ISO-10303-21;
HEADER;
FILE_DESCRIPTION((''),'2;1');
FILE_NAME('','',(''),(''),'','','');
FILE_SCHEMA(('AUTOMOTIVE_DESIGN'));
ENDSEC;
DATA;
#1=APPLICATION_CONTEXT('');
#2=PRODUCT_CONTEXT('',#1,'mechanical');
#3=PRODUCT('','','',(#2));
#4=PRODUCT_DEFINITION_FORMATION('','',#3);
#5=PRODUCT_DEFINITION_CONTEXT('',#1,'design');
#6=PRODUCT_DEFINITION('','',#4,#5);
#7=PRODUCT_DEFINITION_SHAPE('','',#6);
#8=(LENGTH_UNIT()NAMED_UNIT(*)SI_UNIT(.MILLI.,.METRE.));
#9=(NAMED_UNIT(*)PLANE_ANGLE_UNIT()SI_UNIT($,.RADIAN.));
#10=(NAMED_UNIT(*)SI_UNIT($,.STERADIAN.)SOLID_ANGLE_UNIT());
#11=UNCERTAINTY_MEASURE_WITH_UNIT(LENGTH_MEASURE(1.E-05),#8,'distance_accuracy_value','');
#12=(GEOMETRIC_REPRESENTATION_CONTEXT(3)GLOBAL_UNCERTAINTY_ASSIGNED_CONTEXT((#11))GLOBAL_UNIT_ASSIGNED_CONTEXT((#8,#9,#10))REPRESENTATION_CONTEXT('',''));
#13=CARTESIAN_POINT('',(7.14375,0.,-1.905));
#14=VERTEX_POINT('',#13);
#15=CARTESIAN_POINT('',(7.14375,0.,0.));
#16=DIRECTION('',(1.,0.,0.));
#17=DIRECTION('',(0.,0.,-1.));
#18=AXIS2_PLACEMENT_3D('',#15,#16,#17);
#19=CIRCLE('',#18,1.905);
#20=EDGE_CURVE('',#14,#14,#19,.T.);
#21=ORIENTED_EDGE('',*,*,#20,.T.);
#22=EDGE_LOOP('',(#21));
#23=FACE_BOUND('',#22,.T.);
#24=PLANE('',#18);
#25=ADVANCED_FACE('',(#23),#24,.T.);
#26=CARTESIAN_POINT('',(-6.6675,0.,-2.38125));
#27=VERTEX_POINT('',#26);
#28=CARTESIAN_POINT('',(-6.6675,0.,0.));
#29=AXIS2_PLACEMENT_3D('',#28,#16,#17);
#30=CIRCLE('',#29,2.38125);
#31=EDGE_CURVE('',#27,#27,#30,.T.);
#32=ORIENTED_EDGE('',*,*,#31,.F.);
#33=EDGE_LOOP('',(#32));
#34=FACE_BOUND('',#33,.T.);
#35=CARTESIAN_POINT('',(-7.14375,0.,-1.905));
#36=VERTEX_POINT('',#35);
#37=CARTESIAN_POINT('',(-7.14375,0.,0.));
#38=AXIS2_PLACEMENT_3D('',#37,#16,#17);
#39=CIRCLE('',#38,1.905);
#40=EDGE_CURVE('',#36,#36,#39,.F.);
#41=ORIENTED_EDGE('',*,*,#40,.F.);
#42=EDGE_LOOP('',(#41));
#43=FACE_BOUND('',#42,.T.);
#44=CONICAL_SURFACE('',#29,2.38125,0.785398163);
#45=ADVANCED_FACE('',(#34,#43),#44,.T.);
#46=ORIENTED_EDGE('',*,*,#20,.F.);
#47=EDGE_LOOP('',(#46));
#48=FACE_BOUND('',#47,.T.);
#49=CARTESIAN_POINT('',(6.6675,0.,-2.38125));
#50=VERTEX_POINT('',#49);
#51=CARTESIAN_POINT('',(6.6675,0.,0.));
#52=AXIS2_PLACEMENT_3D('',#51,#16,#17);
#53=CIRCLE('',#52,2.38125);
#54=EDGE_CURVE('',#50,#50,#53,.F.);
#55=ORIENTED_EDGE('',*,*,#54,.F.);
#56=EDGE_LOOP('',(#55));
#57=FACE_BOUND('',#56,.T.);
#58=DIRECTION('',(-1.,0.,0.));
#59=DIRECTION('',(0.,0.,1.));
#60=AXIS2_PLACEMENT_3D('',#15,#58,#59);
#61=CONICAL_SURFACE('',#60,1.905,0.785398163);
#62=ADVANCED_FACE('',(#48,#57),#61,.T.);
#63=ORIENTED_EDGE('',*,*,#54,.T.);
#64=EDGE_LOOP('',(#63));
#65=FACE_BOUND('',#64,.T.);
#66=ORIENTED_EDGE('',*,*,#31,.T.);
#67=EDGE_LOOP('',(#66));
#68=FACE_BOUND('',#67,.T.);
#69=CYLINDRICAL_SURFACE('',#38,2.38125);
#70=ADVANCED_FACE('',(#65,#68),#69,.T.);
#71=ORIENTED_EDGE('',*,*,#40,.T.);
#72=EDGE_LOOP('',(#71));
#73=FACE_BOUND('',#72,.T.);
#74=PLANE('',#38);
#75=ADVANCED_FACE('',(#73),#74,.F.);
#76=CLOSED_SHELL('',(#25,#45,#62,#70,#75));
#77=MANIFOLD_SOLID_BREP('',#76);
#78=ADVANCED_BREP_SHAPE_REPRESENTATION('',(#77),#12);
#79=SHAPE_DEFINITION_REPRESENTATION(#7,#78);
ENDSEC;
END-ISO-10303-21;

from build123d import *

# Parameters (mm, degrees)
EXTRUDE1_DEPTH      = 7.14375
EXTRUDE1_DEPTH_BACK = 7.14375
SKETCH2_R           = 2.38125
CHAMFER1_SIZE       = 0.47625


with BuildPart() as part:
    # Sketch2 → Extrude1 (new, two sides: drawn at the far end of the back side and taken through both)
    with BuildSketch(Plane(origin=(0, 0, 0), x_dir=(0, 0, -1), z_dir=(1, 0, 0)).offset(-EXTRUDE1_DEPTH_BACK)):
        Circle(SKETCH2_R)
    extrude(amount=EXTRUDE1_DEPTH + EXTRUDE1_DEPTH_BACK)

    # Chamfer1
    chamfer1_edges = [part.edges().sort_by_distance(p)[0] for p in [
        (-7.14375, 0, 2.38125),
        (7.14375, 0, 2.38125),
    ]]
    chamfer(chamfer1_edges, length=CHAMFER1_SIZE)


solid = part.part
